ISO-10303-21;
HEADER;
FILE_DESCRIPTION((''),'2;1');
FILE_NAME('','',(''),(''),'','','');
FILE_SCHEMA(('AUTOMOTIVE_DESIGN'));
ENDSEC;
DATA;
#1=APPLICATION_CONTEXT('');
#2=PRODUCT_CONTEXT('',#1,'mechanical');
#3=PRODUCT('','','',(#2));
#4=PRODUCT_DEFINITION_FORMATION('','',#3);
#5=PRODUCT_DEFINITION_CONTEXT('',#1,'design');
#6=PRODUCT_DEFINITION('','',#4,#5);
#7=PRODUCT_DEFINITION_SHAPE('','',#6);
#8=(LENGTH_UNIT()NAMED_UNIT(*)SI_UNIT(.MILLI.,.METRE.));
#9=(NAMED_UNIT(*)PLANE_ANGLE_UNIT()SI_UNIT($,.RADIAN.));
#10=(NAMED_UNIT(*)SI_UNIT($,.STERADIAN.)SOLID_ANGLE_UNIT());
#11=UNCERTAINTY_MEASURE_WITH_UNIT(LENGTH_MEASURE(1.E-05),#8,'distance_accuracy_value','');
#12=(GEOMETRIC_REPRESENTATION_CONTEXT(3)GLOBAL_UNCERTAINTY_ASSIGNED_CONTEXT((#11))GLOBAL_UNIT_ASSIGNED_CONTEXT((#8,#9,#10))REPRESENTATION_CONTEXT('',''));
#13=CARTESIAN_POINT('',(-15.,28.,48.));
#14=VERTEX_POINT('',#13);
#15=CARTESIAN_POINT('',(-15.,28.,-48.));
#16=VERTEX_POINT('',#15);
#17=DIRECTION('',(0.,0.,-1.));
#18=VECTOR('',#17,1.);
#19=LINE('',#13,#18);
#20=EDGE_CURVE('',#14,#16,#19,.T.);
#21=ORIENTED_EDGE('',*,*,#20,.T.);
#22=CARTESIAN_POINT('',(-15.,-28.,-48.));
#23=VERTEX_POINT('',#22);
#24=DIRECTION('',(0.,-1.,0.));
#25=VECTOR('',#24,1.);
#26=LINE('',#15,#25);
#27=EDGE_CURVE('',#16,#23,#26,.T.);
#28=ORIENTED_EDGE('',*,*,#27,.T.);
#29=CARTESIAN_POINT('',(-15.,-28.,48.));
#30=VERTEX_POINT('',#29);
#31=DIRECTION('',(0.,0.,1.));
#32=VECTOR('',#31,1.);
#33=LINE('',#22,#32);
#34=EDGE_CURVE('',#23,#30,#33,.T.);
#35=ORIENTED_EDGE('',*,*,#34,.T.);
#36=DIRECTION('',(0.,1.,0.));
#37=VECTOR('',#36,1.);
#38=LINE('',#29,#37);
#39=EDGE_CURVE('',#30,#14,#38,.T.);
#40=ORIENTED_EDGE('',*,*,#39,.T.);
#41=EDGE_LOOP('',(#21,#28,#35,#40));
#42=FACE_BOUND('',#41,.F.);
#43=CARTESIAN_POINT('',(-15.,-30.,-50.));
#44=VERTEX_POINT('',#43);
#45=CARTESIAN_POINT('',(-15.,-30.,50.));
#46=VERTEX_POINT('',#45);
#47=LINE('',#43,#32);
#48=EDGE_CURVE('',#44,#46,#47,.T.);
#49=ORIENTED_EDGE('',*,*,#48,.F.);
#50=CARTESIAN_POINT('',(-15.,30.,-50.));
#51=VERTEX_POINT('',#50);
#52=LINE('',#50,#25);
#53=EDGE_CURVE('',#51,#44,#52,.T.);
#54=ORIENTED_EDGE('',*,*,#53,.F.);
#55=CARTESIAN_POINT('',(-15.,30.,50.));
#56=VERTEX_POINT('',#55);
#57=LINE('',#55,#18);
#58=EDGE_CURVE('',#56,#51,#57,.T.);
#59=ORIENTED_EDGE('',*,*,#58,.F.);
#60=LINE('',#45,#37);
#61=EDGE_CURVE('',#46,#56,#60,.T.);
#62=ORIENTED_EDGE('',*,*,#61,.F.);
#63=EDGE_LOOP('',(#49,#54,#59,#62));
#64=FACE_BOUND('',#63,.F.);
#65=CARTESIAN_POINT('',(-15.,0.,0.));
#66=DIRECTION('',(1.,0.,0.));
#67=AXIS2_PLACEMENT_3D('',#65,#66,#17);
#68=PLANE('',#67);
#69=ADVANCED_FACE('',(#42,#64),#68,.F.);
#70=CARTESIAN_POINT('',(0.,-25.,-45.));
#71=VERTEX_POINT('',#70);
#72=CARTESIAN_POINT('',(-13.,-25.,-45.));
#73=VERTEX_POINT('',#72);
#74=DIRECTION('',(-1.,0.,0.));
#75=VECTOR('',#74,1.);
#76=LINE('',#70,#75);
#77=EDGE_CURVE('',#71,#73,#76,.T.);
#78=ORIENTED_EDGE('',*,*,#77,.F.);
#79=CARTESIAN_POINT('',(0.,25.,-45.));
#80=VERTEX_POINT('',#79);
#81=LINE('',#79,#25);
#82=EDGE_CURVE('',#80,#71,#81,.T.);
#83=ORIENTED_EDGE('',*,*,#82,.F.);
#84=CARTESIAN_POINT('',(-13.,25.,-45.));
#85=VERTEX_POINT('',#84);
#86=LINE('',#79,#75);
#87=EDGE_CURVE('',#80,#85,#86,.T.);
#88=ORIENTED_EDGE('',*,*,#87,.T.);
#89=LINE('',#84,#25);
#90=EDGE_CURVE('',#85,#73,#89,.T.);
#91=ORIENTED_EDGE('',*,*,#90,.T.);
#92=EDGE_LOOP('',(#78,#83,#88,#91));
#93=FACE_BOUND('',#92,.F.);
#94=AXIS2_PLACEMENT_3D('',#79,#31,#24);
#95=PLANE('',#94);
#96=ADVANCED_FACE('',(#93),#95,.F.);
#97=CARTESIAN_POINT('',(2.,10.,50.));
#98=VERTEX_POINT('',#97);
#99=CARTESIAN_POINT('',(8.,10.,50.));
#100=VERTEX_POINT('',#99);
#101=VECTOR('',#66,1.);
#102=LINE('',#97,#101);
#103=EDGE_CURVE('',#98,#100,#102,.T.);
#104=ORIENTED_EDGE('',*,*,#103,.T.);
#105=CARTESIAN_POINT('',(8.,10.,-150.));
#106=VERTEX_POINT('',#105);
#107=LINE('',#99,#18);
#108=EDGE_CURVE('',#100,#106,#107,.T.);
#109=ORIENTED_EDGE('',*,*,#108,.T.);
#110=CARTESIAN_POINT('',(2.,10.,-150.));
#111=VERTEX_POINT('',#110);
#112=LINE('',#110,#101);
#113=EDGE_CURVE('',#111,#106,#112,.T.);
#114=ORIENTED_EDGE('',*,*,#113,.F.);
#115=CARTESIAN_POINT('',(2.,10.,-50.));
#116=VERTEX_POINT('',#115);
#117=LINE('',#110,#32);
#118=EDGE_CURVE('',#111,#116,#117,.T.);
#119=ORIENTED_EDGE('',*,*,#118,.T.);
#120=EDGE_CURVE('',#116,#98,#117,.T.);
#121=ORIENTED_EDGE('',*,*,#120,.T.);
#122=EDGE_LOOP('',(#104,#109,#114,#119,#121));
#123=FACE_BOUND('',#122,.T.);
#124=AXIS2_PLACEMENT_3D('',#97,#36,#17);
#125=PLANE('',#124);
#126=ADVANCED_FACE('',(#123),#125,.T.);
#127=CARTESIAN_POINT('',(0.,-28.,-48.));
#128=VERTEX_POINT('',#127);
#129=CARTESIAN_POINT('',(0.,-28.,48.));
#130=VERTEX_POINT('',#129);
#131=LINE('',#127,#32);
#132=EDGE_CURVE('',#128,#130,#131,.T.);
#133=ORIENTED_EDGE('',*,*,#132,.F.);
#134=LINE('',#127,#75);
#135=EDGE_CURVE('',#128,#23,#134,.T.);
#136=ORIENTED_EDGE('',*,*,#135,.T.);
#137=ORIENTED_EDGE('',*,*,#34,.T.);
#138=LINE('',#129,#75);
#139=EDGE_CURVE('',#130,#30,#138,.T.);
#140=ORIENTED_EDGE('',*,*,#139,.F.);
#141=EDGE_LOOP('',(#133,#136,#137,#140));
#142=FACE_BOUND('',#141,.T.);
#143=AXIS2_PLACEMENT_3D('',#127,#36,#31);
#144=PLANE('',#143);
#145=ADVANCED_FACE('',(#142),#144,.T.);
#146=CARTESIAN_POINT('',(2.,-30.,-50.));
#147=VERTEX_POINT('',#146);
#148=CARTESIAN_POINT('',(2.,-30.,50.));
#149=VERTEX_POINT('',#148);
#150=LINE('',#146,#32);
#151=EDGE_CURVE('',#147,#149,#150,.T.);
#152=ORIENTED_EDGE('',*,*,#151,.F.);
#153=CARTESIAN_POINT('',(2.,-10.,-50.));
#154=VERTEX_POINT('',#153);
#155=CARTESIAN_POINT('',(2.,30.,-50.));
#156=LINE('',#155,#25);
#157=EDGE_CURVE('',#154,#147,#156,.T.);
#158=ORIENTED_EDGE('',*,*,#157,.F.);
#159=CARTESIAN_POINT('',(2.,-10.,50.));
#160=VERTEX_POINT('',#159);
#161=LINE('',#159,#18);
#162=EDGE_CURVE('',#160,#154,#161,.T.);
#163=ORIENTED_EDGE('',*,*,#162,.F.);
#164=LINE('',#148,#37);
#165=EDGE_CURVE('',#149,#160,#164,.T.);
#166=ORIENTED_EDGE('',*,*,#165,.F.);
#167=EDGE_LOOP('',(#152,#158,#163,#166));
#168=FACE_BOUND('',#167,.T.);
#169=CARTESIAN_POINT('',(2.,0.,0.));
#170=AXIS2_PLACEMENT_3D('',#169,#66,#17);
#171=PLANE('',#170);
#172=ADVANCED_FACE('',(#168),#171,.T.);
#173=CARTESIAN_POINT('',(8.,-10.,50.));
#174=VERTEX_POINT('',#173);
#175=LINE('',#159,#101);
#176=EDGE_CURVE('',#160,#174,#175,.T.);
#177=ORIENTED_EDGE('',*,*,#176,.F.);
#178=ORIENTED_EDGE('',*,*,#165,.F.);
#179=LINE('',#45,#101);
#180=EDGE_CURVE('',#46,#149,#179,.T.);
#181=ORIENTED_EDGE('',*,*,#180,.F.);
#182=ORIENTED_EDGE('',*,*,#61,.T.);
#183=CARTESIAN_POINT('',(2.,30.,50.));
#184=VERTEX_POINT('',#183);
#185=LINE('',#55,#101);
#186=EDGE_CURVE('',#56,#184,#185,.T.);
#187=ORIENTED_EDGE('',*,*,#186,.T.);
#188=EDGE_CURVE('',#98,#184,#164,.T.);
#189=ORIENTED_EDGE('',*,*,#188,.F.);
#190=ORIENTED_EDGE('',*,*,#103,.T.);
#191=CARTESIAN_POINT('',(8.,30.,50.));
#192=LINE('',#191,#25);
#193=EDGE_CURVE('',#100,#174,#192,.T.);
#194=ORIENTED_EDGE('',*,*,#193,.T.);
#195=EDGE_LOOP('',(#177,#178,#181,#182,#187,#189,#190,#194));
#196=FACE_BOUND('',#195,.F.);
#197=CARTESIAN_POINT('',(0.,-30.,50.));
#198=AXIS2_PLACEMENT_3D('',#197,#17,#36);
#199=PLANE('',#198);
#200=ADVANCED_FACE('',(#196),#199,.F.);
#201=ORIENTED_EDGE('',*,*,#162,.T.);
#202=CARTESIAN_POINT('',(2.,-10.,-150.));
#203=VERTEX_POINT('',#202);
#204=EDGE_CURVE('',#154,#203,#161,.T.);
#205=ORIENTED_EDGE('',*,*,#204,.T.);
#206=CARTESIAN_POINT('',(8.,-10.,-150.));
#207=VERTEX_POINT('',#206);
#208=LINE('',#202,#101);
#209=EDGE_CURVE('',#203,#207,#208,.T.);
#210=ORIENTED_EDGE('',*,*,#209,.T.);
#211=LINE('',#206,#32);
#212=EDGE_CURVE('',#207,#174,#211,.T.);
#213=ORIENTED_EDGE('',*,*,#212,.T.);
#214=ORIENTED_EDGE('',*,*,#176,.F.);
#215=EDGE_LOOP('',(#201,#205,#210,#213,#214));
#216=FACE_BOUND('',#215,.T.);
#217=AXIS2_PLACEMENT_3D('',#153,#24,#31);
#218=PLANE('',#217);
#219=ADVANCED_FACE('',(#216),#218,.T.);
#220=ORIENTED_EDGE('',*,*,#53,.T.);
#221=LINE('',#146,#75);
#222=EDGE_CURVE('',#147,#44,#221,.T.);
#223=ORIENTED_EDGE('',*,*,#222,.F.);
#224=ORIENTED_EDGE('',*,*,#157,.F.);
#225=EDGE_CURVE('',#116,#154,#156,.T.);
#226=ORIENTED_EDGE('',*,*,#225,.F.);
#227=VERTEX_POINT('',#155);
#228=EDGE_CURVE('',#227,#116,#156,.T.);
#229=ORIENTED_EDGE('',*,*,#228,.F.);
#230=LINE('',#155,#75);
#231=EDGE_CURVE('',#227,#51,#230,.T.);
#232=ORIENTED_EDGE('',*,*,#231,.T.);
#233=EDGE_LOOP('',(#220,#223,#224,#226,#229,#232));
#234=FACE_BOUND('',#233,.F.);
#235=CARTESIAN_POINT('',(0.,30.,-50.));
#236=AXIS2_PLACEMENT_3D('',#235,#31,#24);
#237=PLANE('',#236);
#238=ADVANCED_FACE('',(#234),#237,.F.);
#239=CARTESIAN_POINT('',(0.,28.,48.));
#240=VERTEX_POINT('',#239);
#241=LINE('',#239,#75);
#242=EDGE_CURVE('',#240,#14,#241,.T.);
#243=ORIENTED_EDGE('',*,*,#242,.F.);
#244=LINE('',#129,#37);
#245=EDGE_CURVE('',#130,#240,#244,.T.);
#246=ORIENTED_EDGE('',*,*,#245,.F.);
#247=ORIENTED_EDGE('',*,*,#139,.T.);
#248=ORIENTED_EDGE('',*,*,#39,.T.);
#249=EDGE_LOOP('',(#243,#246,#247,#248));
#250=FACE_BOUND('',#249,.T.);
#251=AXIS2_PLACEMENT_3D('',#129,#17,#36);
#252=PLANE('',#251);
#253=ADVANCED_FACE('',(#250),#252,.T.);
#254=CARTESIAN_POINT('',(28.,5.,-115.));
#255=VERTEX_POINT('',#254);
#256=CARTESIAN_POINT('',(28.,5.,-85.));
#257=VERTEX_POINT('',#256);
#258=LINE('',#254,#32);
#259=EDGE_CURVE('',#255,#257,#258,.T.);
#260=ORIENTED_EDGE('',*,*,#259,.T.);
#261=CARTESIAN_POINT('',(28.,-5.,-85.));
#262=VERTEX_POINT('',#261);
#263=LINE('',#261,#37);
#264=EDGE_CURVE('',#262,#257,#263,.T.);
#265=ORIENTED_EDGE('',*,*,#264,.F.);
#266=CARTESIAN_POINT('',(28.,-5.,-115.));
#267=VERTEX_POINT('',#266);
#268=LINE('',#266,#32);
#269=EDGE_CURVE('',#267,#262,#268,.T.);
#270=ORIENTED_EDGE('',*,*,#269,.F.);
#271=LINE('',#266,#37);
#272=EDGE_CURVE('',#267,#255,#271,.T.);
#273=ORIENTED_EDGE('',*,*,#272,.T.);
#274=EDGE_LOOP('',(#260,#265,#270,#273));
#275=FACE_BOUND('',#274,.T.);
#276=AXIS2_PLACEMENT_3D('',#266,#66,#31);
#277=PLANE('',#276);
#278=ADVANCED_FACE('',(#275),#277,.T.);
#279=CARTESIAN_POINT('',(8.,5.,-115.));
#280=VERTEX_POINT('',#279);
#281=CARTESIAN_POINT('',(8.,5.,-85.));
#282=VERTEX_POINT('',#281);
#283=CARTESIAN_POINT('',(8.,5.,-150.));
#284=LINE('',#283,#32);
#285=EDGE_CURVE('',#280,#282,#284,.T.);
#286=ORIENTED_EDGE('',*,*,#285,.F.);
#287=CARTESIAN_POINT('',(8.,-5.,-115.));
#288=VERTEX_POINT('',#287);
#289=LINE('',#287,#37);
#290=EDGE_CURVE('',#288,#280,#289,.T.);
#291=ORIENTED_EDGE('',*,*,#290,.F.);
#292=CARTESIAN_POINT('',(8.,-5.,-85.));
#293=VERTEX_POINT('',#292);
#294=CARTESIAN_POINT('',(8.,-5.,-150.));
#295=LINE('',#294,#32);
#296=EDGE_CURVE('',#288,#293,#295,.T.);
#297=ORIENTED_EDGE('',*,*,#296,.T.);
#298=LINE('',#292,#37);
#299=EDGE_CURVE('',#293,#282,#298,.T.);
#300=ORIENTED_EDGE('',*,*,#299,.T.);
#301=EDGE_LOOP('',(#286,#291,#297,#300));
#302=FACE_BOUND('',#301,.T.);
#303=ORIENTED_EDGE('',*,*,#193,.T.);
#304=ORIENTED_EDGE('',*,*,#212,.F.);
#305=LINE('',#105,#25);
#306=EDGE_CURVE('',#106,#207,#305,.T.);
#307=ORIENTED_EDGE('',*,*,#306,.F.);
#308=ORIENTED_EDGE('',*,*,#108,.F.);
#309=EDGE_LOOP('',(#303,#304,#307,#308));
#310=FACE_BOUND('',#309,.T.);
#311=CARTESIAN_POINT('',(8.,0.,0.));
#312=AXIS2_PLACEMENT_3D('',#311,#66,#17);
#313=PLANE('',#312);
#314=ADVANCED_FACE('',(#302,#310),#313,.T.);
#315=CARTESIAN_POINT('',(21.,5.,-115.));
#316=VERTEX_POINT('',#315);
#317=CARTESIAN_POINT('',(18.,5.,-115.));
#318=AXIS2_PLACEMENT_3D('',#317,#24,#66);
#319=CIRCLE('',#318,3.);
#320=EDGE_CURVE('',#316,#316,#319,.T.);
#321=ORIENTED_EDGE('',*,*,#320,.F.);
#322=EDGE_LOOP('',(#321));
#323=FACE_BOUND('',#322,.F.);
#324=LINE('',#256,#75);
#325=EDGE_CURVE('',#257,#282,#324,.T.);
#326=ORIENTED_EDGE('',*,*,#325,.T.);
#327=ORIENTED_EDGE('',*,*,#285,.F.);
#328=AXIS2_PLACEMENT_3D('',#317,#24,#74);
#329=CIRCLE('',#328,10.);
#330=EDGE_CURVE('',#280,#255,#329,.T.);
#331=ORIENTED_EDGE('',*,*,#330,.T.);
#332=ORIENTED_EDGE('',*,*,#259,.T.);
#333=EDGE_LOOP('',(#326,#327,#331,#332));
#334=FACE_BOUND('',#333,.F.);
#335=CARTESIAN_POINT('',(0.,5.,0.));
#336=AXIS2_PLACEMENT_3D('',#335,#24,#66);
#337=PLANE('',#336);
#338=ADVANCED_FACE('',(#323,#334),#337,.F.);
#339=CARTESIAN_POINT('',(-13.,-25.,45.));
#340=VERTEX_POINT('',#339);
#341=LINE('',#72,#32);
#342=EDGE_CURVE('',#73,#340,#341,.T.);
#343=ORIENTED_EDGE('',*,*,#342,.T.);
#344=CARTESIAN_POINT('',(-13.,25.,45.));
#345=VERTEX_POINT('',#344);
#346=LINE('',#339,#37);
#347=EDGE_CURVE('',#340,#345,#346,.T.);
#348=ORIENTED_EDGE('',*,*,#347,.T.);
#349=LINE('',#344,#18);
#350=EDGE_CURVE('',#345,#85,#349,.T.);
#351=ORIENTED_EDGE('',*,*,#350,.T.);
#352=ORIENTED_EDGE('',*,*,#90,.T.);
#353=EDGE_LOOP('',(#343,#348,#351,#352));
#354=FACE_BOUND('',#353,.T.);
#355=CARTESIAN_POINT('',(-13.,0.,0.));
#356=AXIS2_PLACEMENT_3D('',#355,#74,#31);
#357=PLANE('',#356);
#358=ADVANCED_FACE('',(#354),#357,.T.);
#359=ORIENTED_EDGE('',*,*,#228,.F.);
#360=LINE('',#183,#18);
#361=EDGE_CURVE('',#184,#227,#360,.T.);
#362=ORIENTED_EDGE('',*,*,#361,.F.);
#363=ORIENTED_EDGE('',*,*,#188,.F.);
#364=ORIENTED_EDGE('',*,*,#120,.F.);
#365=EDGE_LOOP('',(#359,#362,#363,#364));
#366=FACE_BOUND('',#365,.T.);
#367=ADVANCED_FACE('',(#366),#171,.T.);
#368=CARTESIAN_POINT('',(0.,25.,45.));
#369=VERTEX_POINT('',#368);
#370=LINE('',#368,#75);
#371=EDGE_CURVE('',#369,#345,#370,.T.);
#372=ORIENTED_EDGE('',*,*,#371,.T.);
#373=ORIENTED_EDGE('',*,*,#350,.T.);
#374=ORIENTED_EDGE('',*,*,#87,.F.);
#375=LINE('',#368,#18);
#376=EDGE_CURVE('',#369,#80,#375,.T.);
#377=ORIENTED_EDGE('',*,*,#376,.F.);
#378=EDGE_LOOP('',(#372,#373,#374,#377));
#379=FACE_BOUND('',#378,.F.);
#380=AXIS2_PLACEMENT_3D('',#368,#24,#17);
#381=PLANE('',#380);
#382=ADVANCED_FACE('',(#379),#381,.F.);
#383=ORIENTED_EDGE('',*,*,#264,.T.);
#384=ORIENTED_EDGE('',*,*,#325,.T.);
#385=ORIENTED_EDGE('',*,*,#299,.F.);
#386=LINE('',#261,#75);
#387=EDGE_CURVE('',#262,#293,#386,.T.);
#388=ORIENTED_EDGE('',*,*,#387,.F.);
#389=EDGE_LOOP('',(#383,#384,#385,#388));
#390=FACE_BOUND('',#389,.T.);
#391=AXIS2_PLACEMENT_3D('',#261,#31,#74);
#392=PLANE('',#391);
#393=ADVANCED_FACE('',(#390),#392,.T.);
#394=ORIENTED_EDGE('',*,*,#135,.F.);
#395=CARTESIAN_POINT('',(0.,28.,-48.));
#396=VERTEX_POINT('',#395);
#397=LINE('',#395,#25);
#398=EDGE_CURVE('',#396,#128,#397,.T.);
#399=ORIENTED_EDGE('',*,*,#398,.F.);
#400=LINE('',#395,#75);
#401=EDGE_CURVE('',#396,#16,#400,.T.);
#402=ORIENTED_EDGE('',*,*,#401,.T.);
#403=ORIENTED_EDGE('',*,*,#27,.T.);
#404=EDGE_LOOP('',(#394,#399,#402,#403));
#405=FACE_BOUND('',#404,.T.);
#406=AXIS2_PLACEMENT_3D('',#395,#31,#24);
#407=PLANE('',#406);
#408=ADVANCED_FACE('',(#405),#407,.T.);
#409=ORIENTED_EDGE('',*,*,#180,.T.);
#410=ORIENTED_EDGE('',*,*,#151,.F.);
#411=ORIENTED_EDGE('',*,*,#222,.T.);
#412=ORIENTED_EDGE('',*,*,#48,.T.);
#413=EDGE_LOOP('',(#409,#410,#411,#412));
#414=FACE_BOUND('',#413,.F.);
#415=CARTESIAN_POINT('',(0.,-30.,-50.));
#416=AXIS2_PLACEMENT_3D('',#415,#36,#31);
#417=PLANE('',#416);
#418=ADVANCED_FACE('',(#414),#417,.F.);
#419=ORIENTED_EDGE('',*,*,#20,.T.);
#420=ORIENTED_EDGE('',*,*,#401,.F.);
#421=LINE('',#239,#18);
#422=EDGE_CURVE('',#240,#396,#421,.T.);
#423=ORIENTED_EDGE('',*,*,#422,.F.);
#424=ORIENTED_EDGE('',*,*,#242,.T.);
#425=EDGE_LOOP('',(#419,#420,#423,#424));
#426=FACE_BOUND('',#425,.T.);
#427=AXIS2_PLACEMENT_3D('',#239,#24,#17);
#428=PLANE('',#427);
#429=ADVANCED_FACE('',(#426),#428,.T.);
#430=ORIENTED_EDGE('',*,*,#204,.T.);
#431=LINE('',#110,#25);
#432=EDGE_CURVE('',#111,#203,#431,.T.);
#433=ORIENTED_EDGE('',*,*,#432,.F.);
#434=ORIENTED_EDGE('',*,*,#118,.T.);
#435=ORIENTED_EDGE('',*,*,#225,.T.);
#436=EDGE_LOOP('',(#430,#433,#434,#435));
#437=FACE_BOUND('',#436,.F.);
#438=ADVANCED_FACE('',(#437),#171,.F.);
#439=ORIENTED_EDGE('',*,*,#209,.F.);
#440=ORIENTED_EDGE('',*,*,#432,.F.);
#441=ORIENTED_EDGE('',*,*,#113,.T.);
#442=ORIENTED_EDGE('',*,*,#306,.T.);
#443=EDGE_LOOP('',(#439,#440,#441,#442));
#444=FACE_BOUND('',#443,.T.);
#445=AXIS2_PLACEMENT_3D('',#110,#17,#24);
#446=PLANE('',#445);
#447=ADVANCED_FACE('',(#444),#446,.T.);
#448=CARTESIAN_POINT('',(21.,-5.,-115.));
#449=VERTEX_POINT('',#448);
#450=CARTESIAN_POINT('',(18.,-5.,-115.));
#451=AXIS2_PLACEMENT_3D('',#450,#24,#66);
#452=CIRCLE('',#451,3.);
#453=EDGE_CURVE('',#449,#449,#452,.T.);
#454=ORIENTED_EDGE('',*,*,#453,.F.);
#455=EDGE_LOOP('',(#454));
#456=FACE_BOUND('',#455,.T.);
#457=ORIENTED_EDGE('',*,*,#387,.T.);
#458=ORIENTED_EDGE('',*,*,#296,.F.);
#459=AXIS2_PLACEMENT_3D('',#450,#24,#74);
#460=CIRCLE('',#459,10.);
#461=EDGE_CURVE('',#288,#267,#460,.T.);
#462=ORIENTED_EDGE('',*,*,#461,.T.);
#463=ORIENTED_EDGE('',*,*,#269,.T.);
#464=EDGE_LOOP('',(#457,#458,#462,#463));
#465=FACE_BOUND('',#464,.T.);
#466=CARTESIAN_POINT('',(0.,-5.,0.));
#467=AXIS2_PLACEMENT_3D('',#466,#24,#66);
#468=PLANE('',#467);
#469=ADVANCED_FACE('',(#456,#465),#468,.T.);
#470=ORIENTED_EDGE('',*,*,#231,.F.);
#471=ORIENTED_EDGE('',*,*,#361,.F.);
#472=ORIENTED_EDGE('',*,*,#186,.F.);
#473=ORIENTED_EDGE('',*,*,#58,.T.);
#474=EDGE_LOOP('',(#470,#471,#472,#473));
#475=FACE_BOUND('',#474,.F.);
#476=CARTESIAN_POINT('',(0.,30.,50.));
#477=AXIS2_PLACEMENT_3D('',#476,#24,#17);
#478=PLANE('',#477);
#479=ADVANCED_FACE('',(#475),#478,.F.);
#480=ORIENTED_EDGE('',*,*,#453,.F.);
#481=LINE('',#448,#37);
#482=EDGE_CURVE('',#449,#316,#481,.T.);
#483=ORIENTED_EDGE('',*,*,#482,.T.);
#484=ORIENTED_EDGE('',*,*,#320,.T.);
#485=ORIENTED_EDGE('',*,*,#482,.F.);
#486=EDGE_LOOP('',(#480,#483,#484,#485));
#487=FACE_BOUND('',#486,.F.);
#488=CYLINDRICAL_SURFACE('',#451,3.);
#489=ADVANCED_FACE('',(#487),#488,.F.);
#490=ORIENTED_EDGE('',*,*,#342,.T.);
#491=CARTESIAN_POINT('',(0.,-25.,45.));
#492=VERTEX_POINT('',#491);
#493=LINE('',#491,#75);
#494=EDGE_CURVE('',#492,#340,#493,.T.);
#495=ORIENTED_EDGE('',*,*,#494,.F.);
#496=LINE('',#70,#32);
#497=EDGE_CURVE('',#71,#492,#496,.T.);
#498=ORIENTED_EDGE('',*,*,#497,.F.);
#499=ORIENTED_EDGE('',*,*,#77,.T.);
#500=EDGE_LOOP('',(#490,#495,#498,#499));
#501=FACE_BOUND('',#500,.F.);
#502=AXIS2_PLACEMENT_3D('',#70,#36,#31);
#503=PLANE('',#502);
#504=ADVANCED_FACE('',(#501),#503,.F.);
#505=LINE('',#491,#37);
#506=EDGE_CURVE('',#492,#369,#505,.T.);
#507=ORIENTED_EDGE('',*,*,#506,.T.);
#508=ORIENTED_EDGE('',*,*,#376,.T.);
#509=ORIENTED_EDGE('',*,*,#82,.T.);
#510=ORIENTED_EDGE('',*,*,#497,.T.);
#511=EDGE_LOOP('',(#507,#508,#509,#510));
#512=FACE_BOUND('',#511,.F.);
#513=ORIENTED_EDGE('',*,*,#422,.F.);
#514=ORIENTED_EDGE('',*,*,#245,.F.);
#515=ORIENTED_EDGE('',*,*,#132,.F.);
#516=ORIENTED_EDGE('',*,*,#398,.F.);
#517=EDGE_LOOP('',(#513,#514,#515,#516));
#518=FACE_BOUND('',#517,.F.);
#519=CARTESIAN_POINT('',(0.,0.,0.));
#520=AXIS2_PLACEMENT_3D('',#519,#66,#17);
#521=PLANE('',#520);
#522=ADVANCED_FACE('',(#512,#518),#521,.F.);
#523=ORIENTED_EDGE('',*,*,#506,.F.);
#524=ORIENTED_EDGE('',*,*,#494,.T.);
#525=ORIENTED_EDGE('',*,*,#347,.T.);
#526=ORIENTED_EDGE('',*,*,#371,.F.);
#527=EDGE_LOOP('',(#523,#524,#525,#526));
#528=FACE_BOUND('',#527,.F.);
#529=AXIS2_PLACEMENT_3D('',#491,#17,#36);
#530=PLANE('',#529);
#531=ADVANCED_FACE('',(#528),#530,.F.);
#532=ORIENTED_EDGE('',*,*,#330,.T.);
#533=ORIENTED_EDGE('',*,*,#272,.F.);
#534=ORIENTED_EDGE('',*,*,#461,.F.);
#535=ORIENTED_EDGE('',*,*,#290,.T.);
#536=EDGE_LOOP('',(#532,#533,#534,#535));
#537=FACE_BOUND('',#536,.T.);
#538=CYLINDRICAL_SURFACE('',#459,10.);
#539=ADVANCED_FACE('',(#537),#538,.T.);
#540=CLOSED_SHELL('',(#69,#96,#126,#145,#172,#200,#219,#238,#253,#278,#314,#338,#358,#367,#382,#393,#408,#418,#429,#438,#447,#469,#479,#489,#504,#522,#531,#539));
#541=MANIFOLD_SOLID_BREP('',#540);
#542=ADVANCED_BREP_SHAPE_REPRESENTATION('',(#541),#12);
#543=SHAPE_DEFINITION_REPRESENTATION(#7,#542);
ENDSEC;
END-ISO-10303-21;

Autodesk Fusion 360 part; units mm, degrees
sketch "Sketch1" plane through (0, 0, 0) normal (1, 0, 0) x (0, 0, -1)
  line L0 (-50, 30) -> (50, 30)
  line L1 (50, 30) -> (50, -30)
  line L2 (50, -30) -> (-50, -30)
  line L3 (-50, -30) -> (-50, 30)
  line L4 (48, -28) -> (-48, -28)
  line L5 (-48, -28) -> (-48, 28)
  line L6 (-48, 28) -> (48, 28)
  line L7 (48, 28) -> (48, -28)
  dimension "d1" = 100
  dimension "d2" = 60
  dimension "d3" = 2
  dimension "d17" = 30
  dimension "d18" = 50
extrude "Extrude1" add sketch "Sketch1" along normal blind 2 contours L0 L1 L2 L3 | L4 L5 L6 L7
extrude "Extrude2" add sketch "Sketch1" against normal blind 15
sketch "Sketch2" plane through (0, 0, 0) normal (-1, 0, 0) x (0, 0, 1)
  line L0 (-48, 28) -> (-48, -28)
  line L1 (-48, -28) -> (48, -28)
  line L2 (48, -28) -> (48, 28)
  line L3 (48, 28) -> (-48, 28)
  line L4 (45, 25) -> (-45, 25)
  line L5 (-45, 25) -> (-45, -25)
  line L6 (-45, -25) -> (45, -25)
  line L7 (45, -25) -> (45, 25)
  line L8 (45, 25) -> (-45, -25) construction
  line L9 (-45, 25) -> (45, -25) construction
  dimension "d8" = 90
  dimension "d9" = 50
extrude "Extrude3" add sketch "Sketch2" along normal blind 13 contours L4 L5 L6 L7
sketch "Sketch4" plane through (2, 0, 0) normal (1, 0, 0) x (0, 0, -1)
  line L0 (-50, -30) -> (50, -30)
  line L1 (50, -30) -> (50, 30)
  line L2 (50, 30) -> (-50, 30)
  line L3 (-50, 30) -> (-50, -30)
  line L4 (-50, 10) -> (150, 10)
  line L5 (150, 10) -> (150, -10)
  line L6 (150, -10) -> (-50, -10)
  line L7 (-50, -10) -> (-50, 10)
extrude "Extrude4" add sketch "Sketch4" along normal blind 6 contours L1 L3 L4 L6 L7 | L1 L4 L5 L6
sketch "Sketch5" plane through (0, -10, 0) normal (0, -1, 0) x (1, 0, 0)
  line L0 (2, -50) -> (2, -150)
  line L1 (2, -150) -> (8, -150)
  line L2 (8, -150) -> (8, 50)
  line L3 (8, 50) -> (2, 50)
  line L4 (2, 50) -> (2, -50)
  line L5 (28, -115) -> (28, -85)
  line L6 (28, -85) -> (8, -85)
  arc A0 (8, -115) -> (28, -115) centre (18, -115) ccw
  circle A1 centre (18, -115) radius 3
  dimension "d28" = 6
extrude "Extrude5" add sketch "Sketch5" against normal blind 10 from surface at -5 contours L2 L5 L6 A0
